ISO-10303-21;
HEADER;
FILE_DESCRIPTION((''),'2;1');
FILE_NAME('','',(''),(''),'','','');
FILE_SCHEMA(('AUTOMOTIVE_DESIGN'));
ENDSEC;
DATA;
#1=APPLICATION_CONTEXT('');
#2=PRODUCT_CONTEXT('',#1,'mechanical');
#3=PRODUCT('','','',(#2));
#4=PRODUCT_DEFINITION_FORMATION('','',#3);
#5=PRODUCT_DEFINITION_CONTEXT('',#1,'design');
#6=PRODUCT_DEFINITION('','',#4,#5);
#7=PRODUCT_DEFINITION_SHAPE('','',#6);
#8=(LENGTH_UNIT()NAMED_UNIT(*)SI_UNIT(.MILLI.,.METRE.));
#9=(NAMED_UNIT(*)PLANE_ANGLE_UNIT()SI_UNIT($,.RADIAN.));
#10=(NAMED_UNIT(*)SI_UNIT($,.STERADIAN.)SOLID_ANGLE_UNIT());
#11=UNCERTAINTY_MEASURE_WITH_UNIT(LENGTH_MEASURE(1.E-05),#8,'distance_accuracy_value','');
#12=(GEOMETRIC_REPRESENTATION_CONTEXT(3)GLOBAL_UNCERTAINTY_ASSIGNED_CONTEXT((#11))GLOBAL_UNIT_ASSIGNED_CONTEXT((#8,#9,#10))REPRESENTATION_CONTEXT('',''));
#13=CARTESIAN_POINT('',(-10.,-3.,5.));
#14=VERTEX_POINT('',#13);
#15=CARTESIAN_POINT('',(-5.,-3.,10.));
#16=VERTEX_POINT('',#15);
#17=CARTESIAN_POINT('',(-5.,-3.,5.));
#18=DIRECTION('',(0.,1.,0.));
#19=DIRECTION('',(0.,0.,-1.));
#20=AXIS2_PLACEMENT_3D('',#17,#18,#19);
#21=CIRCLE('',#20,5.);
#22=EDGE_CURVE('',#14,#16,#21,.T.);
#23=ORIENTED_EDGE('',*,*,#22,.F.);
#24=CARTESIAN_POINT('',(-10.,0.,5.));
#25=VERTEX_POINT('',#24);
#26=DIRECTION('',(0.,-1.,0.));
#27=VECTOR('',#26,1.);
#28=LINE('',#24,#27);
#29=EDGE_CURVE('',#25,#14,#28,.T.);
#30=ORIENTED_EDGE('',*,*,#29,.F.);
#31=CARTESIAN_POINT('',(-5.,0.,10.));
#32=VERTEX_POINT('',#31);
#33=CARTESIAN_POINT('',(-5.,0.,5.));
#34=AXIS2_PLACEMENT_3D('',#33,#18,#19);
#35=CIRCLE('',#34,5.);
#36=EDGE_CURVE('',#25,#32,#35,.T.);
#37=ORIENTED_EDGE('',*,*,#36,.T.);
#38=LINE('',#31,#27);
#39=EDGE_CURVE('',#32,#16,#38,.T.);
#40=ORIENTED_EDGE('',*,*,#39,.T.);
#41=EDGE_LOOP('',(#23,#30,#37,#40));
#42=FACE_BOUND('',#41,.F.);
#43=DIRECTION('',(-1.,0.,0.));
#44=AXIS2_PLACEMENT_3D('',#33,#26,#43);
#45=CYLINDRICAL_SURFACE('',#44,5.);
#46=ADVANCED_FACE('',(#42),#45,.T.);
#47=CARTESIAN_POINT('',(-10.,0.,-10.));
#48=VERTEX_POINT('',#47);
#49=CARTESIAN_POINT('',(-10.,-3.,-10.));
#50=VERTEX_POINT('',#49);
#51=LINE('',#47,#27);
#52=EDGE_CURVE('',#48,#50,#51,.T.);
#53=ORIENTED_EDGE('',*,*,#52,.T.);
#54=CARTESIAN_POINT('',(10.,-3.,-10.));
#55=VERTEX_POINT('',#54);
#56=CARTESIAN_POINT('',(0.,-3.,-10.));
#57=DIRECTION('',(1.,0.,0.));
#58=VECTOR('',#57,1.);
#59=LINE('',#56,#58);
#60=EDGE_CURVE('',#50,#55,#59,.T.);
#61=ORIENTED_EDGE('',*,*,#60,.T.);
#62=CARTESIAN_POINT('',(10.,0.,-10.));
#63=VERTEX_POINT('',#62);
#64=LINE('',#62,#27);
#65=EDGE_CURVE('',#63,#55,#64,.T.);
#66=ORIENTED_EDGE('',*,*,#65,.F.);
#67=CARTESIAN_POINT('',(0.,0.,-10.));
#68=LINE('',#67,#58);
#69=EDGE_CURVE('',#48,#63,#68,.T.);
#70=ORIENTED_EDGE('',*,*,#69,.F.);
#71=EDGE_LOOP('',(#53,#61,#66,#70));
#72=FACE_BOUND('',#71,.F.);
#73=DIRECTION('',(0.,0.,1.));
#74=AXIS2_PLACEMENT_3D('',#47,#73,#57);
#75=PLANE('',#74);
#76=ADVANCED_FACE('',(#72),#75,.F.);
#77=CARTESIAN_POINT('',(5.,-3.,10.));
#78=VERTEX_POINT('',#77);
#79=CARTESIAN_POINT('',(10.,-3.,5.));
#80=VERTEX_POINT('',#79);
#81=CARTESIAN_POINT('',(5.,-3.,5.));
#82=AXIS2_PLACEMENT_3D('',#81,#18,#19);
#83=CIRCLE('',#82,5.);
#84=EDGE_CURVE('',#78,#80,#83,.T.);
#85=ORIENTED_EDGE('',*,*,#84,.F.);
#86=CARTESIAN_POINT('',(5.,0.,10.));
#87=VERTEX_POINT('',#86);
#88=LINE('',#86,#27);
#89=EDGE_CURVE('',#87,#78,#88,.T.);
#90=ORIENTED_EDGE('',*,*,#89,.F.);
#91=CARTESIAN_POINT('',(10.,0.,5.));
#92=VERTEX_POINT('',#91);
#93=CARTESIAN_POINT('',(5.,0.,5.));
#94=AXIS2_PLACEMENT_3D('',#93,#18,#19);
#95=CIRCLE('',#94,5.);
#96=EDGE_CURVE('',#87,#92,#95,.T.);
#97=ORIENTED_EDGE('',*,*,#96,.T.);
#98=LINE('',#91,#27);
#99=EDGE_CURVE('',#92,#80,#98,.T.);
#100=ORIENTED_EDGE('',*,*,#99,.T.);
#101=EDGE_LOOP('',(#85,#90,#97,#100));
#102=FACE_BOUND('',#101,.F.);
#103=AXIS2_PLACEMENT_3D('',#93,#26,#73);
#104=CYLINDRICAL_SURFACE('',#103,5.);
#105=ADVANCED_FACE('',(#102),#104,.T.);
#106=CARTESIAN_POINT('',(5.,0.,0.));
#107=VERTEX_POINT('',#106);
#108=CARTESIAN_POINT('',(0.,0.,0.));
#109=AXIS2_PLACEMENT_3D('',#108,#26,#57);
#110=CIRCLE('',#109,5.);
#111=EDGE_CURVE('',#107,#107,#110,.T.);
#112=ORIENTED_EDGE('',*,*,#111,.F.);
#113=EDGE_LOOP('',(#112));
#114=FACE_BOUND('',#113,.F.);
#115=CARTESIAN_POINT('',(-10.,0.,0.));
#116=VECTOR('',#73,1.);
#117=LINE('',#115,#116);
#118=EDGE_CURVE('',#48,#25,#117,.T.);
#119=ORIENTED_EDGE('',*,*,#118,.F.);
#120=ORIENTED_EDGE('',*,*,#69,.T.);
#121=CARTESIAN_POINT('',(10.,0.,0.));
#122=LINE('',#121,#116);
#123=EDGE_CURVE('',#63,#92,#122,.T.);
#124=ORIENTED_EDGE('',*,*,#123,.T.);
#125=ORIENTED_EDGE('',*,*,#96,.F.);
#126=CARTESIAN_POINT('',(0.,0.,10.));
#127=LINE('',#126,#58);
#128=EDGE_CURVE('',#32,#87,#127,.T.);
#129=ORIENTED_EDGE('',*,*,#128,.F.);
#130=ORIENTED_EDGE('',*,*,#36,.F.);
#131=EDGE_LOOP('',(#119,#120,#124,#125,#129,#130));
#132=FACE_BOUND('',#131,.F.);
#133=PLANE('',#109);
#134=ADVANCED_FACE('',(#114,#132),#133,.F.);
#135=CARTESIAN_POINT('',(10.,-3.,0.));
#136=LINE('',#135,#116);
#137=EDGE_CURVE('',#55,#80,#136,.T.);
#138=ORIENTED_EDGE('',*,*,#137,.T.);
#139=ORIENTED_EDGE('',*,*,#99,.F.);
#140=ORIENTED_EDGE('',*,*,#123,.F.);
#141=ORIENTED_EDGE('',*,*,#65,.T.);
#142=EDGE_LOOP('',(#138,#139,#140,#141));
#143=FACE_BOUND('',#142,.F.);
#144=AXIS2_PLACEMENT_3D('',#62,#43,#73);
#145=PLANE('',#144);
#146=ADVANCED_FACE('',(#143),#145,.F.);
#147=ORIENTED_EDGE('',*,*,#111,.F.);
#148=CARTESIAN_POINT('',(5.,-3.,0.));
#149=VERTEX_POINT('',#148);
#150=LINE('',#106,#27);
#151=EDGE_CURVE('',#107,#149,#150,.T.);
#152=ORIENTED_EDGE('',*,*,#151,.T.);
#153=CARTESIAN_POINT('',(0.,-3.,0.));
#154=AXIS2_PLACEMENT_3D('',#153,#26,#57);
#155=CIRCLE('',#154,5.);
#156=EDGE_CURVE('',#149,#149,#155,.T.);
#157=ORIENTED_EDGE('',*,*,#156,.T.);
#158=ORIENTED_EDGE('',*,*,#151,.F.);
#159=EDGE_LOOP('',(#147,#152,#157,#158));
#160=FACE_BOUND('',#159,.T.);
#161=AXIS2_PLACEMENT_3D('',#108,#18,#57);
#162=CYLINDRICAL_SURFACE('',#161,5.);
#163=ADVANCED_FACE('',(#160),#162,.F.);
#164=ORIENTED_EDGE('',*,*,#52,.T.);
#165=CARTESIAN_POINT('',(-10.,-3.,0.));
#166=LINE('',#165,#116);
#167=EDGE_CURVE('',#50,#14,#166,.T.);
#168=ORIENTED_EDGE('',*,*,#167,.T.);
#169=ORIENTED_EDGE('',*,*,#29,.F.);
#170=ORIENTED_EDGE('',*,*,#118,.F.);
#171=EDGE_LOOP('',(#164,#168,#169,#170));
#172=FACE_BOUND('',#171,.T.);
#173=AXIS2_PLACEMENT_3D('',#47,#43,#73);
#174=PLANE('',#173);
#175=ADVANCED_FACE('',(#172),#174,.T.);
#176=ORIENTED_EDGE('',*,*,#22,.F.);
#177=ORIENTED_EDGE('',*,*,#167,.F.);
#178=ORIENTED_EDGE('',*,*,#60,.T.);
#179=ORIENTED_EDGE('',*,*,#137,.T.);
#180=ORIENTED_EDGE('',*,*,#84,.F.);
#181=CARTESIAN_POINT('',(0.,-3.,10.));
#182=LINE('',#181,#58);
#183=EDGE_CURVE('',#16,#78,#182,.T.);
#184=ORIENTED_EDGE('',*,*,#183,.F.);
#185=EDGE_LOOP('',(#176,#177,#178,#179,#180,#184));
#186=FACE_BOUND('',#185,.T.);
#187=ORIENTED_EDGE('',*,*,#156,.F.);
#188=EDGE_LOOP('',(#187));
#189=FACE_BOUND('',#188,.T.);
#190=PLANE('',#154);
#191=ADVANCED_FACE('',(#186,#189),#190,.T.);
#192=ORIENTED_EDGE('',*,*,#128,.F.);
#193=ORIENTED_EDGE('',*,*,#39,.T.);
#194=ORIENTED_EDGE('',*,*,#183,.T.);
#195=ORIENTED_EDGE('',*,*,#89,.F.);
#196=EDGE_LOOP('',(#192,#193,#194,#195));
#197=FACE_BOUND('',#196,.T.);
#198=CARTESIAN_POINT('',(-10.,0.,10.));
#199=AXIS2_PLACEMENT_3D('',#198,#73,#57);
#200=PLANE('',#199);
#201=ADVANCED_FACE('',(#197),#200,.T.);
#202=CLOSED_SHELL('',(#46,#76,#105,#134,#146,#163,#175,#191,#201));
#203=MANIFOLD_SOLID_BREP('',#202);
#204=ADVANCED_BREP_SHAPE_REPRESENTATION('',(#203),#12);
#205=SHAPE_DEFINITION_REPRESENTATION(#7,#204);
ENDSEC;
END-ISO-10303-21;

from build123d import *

# Parameters (mm, degrees)
F0_W     = 20
F0_H     = 20
F0_R     = 5
F1_DEPTH = 3
F2_R     = 5


with BuildPart() as f1:
    # F0 (on Front) → F1 (new body)
    with BuildSketch(Plane.XZ):
        Rectangle(F0_W, F0_H)
        Circle(F0_R, mode=Mode.SUBTRACT)
    extrude(amount=F1_DEPTH)

    # F2
    f2_edges = [f1.edges().sort_by_distance(p)[0] for p in [
        (10, -1.5, 10),
        (-10, -1.5, 10),
    ]]
    fillet(f2_edges, radius=F2_R)


solid = f1.part
